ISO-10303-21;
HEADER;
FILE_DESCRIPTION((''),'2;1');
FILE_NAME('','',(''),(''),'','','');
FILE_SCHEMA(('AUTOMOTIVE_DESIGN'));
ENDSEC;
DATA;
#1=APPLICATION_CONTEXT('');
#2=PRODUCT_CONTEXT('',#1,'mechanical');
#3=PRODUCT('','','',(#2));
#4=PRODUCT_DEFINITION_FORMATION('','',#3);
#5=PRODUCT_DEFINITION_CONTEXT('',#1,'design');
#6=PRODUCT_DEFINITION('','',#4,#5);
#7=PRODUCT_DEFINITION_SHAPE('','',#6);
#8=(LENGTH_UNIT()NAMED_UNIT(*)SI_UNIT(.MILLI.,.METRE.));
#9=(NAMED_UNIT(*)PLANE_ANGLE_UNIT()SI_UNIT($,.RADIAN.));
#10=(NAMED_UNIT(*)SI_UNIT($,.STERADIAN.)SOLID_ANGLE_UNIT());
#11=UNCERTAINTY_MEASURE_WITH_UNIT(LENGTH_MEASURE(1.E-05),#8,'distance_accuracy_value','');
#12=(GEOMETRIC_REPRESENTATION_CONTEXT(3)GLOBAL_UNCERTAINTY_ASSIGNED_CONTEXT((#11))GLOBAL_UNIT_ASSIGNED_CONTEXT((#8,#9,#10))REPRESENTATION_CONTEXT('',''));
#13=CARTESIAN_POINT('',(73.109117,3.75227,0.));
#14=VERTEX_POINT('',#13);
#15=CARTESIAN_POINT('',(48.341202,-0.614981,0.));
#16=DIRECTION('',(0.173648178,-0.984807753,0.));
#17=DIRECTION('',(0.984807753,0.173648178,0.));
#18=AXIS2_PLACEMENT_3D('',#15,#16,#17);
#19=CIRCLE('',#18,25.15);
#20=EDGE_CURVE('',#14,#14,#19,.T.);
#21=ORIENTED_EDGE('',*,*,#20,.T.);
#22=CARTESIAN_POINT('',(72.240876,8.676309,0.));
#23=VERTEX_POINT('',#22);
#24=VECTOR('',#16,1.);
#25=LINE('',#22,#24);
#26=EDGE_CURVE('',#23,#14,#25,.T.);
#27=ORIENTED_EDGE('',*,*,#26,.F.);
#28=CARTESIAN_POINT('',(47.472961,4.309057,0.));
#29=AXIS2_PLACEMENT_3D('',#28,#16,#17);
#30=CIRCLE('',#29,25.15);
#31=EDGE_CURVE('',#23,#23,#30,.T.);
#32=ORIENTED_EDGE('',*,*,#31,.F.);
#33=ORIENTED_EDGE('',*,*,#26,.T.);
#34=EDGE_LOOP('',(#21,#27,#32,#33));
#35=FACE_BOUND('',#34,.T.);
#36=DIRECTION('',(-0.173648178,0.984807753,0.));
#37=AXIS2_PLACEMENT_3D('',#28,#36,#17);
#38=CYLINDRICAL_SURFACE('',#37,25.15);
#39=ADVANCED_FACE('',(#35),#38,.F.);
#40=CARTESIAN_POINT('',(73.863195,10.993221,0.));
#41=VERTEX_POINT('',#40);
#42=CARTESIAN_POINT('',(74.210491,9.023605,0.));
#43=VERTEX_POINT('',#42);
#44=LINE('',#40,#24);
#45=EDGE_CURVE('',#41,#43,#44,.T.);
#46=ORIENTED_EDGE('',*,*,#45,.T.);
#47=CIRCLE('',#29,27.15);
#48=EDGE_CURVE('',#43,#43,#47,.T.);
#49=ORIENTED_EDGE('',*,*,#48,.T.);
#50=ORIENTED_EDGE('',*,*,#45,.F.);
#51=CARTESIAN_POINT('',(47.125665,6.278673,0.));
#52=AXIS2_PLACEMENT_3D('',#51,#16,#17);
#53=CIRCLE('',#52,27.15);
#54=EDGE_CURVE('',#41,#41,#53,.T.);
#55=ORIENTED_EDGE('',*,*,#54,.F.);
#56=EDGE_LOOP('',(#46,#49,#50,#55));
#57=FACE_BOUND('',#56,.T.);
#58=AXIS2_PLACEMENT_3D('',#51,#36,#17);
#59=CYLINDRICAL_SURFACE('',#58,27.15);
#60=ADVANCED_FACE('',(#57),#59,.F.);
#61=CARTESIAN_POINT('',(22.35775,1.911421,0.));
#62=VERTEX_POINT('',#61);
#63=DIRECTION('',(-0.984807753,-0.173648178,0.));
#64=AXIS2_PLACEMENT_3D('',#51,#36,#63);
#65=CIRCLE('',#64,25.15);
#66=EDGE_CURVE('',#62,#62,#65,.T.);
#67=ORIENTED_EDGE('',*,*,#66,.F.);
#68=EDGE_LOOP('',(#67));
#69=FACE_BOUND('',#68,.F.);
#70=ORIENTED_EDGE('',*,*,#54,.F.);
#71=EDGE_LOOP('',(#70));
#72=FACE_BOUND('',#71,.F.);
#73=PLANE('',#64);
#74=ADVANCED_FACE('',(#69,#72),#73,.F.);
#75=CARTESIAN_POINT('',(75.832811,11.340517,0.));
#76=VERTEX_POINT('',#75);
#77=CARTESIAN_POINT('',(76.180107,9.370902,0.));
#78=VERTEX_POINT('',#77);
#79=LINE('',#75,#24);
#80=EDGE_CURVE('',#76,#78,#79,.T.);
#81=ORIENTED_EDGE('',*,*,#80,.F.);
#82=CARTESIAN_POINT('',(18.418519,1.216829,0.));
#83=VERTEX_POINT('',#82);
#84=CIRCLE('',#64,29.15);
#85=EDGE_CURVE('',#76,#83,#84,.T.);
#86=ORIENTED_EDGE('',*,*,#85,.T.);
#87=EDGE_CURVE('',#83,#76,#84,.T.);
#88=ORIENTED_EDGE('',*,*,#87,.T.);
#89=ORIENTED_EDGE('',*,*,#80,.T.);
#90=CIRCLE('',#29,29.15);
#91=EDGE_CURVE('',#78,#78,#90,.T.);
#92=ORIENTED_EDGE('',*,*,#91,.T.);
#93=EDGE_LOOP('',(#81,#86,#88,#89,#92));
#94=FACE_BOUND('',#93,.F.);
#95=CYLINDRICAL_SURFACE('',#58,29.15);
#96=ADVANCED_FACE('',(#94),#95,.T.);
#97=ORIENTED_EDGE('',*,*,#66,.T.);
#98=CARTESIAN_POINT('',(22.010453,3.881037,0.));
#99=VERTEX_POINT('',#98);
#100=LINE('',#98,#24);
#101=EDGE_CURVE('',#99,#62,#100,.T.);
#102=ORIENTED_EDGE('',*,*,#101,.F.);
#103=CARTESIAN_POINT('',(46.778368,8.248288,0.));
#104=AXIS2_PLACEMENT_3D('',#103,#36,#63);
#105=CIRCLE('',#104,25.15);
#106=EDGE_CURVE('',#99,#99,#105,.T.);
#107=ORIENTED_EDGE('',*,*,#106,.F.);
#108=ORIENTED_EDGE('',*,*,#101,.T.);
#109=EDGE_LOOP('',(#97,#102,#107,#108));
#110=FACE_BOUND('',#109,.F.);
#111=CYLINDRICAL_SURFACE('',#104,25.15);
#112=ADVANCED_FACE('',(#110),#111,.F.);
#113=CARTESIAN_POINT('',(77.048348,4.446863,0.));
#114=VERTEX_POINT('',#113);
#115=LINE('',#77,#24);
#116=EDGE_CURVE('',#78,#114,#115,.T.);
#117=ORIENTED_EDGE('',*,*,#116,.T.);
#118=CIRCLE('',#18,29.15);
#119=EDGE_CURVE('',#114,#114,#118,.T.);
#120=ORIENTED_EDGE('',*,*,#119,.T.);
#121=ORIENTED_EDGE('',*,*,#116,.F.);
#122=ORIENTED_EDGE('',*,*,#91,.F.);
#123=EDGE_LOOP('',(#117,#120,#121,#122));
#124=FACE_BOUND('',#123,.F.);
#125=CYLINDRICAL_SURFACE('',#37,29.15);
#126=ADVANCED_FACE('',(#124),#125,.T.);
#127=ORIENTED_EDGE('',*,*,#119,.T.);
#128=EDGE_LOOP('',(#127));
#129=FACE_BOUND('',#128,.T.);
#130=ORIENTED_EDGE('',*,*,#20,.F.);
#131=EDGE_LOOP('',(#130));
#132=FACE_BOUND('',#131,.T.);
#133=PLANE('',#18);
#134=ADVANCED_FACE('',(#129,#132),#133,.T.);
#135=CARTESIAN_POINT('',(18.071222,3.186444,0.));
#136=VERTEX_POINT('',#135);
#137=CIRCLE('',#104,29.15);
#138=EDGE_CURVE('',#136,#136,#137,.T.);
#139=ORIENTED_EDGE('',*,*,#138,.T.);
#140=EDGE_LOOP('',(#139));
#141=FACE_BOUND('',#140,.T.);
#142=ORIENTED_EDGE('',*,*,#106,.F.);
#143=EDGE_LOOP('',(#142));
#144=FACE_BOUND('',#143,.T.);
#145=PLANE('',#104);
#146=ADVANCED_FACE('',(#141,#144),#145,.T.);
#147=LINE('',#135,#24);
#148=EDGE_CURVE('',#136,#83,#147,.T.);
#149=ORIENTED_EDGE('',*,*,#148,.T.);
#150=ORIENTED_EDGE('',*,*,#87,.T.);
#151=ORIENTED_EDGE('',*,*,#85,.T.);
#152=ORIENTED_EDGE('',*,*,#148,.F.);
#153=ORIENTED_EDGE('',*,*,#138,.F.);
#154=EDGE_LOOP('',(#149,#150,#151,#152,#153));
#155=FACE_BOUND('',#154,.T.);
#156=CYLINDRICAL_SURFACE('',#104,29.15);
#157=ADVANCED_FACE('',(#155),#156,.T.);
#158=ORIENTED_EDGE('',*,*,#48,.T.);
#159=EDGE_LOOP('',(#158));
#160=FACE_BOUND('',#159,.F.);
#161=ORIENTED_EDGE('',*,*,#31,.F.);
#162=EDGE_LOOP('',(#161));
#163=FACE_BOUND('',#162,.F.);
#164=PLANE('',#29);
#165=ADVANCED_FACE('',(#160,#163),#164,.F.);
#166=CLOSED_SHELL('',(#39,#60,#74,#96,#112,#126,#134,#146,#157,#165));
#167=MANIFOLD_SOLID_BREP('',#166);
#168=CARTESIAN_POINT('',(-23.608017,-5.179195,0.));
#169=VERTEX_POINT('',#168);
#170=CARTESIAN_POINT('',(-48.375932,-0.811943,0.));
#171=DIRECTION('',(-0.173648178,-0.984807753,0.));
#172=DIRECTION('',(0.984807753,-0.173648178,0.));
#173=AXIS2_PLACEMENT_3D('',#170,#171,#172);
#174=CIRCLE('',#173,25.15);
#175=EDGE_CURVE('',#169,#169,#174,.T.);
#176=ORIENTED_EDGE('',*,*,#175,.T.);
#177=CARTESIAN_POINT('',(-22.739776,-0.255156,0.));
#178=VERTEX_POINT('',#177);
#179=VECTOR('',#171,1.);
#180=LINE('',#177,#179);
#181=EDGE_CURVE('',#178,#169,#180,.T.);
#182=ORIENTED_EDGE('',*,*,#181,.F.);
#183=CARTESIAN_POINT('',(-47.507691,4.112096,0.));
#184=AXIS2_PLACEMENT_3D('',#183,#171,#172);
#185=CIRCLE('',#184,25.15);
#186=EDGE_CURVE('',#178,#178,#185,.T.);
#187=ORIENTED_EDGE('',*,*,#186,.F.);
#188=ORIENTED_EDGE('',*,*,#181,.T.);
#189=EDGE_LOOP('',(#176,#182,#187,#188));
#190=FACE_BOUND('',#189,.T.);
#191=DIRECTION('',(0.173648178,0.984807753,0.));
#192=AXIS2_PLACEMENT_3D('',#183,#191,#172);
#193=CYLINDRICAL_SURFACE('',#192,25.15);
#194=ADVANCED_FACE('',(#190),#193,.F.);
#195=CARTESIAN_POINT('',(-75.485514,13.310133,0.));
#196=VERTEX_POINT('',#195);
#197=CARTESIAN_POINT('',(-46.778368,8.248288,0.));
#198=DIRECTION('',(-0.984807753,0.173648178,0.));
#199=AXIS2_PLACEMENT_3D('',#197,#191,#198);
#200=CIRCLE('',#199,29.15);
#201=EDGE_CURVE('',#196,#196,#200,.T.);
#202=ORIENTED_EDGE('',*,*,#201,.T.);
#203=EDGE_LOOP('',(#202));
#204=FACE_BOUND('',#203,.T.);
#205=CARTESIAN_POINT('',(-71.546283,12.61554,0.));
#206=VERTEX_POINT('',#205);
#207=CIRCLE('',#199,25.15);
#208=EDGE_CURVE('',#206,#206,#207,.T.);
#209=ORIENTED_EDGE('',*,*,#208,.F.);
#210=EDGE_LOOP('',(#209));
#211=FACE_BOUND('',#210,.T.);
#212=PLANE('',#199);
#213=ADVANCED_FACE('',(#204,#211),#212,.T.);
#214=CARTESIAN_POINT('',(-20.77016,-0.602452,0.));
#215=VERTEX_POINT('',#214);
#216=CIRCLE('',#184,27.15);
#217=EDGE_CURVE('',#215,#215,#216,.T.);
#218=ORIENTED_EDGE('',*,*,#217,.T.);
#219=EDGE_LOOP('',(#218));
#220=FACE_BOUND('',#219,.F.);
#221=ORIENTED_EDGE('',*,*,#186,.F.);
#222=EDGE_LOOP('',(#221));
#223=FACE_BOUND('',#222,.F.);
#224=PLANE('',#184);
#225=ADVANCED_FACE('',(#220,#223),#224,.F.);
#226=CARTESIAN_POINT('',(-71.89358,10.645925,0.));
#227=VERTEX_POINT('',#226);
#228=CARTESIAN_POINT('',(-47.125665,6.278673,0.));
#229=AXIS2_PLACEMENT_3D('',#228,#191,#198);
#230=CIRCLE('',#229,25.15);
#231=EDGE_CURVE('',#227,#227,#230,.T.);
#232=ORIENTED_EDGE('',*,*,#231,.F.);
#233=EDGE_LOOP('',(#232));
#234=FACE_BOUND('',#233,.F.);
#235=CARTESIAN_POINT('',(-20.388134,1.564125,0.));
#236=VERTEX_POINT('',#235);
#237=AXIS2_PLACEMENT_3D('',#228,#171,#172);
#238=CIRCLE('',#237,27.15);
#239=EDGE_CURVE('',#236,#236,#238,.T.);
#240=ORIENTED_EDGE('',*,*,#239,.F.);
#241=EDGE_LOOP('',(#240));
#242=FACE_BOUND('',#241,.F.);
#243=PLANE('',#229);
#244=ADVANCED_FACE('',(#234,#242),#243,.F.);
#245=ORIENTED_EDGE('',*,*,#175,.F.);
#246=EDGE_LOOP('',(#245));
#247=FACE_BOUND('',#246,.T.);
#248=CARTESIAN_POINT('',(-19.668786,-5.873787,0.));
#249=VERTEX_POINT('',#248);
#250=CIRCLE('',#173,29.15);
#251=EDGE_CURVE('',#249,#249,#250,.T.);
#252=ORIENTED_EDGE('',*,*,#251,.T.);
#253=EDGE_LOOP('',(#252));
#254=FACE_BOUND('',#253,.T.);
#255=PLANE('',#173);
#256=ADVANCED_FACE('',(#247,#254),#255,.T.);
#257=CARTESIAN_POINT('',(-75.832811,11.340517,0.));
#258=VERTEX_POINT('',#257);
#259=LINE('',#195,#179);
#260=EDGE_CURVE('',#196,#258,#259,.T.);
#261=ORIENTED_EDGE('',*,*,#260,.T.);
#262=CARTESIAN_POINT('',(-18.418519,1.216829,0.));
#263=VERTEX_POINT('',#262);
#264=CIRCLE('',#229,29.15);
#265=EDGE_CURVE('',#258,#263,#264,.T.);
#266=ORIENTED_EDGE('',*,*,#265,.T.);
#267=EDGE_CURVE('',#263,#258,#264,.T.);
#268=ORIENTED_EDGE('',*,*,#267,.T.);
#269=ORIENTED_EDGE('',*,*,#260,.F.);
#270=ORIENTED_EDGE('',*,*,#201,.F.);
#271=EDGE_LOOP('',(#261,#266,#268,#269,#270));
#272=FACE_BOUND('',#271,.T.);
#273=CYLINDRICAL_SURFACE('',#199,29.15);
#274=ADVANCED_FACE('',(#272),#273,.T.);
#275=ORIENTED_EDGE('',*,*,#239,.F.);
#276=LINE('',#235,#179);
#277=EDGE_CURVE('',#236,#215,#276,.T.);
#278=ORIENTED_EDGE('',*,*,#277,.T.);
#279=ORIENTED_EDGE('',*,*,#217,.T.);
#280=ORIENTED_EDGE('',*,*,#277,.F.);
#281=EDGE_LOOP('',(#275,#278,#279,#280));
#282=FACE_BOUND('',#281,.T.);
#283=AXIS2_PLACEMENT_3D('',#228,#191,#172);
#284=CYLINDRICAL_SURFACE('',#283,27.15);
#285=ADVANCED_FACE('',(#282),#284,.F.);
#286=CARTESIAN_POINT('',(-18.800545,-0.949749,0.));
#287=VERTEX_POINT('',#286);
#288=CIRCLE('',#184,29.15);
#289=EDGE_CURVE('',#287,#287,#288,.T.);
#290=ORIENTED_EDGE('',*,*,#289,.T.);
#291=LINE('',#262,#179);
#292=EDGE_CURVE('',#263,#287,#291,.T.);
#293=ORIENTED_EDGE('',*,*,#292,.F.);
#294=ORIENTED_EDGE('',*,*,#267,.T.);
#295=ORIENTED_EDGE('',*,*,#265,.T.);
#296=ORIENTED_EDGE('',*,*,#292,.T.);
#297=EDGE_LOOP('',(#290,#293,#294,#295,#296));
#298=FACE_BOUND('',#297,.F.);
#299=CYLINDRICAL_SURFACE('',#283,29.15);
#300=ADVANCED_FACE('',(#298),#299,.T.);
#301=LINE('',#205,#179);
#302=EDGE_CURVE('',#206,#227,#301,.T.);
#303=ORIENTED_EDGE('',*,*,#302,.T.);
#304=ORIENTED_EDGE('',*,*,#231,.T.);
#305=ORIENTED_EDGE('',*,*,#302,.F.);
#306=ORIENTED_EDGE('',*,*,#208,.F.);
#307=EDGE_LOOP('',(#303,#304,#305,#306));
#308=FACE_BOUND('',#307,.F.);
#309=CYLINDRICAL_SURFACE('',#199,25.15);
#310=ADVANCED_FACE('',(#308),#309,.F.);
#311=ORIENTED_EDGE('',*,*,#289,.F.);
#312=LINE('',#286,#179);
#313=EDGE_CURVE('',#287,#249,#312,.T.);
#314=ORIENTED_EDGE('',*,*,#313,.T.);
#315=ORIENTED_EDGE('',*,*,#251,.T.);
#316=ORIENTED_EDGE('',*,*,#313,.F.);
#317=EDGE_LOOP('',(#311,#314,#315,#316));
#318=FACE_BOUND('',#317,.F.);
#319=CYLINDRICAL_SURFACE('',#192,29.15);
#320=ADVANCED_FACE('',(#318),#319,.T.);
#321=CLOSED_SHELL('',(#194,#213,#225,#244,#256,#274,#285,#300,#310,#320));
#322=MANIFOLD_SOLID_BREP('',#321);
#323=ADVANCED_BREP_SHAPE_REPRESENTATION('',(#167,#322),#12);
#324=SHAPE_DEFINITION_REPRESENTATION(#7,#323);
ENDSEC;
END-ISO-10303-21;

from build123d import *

# Parameters (mm, degrees)
F2_R      = 29.15
F2_R_2    = 25.15
F3_DEPTH  = 2
F4_R      = 29.15
F4_R_2    = 27.15
F5_DEPTH  = 2.2
F6_R      = 29.15
F6_R_2    = 27.15
F6_R_3    = 25.15
F7_DEPTH  = 5
F9_R      = 29.15
F9_R_2    = 25.15
F10_DEPTH = 2
F11_R     = 29.15
F11_R_2   = 27.15
F12_DEPTH = 2
F13_R     = 29.15
F13_R_2   = 27.15
F13_R_3   = 25.15
F14_DEPTH = 5


with BuildPart() as f3:
    # F2 (on line) → F3 (new body)
    with BuildSketch(Plane(origin=(0, 0, 0), x_dir=(-0.984807753, 0.1736481777, 0), z_dir=(0.1736481777, 0.984807753, 0))):
        with Locations((47.5, 0)):
            Circle(F2_R)
        with Locations((47.5, 0)):
            Circle(F2_R_2, mode=Mode.SUBTRACT)
    extrude(amount=-F3_DEPTH)

    # F4 (on face) → F5 (join)
    with BuildSketch(Plane(origin=(-0.3472963553, -1.969615506, 0), x_dir=(0.984807753, -0.1736481777, 0), z_dir=(-0.1736481777, -0.984807753, 0))):
        with Locations((-47.5, 0)):
            Circle(F4_R)
        with Locations((-47.5, 0)):
            Circle(F4_R_2, mode=Mode.SUBTRACT)
    extrude(amount=F5_DEPTH)

    # F6 (on face) → F7 (join)
    with BuildSketch(Plane(origin=(-0.7293223462, -4.1361925627, 0), x_dir=(0.984807753, -0.1736481777, 0), z_dir=(-0.1736481777, -0.984807753, 0))):
        with Locations((-47.5, 0)):
            Circle(F6_R)
        with Locations((-47.5, 0)):
            Circle(F6_R_2, mode=Mode.SUBTRACT)
        with Locations((-47.5, 0)):
            Circle(F6_R_2)
        with Locations((-47.5, 0)):
            Circle(F6_R_3, mode=Mode.SUBTRACT)
    extrude(amount=F7_DEPTH)


with BuildPart() as f10:
    # F9 (on line) → F10 (new body)
    with BuildSketch(Plane(origin=(0, 0, 0), x_dir=(-0.984807753, -0.1736481777, 0), z_dir=(-0.1736481777, 0.984807753, 0))):
        with Locations((-47.5, 0)):
            Circle(F9_R)
        with Locations((-47.5, 0)):
            Circle(F9_R_2, mode=Mode.SUBTRACT)
    extrude(amount=-F10_DEPTH)

    # F11 (on face) → F12 (join)
    with BuildSketch(Plane(origin=(0.3472963553, -1.969615506, 0), x_dir=(0.984807753, 0.1736481777, 0), z_dir=(0.1736481777, -0.984807753, 0))):
        with Locations((47.5, 0)):
            Circle(F11_R)
        with Locations((47.5, 0)):
            Circle(F11_R_2, mode=Mode.SUBTRACT)
    extrude(amount=F12_DEPTH)

    # F13 (on face) → F14 (join)
    with BuildSketch(Plane(origin=(0.6945927107, -3.939231012, 0), x_dir=(0.984807753, 0.1736481777, 0), z_dir=(0.1736481777, -0.984807753, 0))):
        with Locations((47.5, 0)):
            Circle(F13_R)
        with Locations((47.5, 0)):
            Circle(F13_R_2, mode=Mode.SUBTRACT)
        with Locations((47.5, 0)):
            Circle(F13_R_2)
        with Locations((47.5, 0)):
            Circle(F13_R_3, mode=Mode.SUBTRACT)
    extrude(amount=F14_DEPTH)


solid = Compound([f3.part, f10.part])
